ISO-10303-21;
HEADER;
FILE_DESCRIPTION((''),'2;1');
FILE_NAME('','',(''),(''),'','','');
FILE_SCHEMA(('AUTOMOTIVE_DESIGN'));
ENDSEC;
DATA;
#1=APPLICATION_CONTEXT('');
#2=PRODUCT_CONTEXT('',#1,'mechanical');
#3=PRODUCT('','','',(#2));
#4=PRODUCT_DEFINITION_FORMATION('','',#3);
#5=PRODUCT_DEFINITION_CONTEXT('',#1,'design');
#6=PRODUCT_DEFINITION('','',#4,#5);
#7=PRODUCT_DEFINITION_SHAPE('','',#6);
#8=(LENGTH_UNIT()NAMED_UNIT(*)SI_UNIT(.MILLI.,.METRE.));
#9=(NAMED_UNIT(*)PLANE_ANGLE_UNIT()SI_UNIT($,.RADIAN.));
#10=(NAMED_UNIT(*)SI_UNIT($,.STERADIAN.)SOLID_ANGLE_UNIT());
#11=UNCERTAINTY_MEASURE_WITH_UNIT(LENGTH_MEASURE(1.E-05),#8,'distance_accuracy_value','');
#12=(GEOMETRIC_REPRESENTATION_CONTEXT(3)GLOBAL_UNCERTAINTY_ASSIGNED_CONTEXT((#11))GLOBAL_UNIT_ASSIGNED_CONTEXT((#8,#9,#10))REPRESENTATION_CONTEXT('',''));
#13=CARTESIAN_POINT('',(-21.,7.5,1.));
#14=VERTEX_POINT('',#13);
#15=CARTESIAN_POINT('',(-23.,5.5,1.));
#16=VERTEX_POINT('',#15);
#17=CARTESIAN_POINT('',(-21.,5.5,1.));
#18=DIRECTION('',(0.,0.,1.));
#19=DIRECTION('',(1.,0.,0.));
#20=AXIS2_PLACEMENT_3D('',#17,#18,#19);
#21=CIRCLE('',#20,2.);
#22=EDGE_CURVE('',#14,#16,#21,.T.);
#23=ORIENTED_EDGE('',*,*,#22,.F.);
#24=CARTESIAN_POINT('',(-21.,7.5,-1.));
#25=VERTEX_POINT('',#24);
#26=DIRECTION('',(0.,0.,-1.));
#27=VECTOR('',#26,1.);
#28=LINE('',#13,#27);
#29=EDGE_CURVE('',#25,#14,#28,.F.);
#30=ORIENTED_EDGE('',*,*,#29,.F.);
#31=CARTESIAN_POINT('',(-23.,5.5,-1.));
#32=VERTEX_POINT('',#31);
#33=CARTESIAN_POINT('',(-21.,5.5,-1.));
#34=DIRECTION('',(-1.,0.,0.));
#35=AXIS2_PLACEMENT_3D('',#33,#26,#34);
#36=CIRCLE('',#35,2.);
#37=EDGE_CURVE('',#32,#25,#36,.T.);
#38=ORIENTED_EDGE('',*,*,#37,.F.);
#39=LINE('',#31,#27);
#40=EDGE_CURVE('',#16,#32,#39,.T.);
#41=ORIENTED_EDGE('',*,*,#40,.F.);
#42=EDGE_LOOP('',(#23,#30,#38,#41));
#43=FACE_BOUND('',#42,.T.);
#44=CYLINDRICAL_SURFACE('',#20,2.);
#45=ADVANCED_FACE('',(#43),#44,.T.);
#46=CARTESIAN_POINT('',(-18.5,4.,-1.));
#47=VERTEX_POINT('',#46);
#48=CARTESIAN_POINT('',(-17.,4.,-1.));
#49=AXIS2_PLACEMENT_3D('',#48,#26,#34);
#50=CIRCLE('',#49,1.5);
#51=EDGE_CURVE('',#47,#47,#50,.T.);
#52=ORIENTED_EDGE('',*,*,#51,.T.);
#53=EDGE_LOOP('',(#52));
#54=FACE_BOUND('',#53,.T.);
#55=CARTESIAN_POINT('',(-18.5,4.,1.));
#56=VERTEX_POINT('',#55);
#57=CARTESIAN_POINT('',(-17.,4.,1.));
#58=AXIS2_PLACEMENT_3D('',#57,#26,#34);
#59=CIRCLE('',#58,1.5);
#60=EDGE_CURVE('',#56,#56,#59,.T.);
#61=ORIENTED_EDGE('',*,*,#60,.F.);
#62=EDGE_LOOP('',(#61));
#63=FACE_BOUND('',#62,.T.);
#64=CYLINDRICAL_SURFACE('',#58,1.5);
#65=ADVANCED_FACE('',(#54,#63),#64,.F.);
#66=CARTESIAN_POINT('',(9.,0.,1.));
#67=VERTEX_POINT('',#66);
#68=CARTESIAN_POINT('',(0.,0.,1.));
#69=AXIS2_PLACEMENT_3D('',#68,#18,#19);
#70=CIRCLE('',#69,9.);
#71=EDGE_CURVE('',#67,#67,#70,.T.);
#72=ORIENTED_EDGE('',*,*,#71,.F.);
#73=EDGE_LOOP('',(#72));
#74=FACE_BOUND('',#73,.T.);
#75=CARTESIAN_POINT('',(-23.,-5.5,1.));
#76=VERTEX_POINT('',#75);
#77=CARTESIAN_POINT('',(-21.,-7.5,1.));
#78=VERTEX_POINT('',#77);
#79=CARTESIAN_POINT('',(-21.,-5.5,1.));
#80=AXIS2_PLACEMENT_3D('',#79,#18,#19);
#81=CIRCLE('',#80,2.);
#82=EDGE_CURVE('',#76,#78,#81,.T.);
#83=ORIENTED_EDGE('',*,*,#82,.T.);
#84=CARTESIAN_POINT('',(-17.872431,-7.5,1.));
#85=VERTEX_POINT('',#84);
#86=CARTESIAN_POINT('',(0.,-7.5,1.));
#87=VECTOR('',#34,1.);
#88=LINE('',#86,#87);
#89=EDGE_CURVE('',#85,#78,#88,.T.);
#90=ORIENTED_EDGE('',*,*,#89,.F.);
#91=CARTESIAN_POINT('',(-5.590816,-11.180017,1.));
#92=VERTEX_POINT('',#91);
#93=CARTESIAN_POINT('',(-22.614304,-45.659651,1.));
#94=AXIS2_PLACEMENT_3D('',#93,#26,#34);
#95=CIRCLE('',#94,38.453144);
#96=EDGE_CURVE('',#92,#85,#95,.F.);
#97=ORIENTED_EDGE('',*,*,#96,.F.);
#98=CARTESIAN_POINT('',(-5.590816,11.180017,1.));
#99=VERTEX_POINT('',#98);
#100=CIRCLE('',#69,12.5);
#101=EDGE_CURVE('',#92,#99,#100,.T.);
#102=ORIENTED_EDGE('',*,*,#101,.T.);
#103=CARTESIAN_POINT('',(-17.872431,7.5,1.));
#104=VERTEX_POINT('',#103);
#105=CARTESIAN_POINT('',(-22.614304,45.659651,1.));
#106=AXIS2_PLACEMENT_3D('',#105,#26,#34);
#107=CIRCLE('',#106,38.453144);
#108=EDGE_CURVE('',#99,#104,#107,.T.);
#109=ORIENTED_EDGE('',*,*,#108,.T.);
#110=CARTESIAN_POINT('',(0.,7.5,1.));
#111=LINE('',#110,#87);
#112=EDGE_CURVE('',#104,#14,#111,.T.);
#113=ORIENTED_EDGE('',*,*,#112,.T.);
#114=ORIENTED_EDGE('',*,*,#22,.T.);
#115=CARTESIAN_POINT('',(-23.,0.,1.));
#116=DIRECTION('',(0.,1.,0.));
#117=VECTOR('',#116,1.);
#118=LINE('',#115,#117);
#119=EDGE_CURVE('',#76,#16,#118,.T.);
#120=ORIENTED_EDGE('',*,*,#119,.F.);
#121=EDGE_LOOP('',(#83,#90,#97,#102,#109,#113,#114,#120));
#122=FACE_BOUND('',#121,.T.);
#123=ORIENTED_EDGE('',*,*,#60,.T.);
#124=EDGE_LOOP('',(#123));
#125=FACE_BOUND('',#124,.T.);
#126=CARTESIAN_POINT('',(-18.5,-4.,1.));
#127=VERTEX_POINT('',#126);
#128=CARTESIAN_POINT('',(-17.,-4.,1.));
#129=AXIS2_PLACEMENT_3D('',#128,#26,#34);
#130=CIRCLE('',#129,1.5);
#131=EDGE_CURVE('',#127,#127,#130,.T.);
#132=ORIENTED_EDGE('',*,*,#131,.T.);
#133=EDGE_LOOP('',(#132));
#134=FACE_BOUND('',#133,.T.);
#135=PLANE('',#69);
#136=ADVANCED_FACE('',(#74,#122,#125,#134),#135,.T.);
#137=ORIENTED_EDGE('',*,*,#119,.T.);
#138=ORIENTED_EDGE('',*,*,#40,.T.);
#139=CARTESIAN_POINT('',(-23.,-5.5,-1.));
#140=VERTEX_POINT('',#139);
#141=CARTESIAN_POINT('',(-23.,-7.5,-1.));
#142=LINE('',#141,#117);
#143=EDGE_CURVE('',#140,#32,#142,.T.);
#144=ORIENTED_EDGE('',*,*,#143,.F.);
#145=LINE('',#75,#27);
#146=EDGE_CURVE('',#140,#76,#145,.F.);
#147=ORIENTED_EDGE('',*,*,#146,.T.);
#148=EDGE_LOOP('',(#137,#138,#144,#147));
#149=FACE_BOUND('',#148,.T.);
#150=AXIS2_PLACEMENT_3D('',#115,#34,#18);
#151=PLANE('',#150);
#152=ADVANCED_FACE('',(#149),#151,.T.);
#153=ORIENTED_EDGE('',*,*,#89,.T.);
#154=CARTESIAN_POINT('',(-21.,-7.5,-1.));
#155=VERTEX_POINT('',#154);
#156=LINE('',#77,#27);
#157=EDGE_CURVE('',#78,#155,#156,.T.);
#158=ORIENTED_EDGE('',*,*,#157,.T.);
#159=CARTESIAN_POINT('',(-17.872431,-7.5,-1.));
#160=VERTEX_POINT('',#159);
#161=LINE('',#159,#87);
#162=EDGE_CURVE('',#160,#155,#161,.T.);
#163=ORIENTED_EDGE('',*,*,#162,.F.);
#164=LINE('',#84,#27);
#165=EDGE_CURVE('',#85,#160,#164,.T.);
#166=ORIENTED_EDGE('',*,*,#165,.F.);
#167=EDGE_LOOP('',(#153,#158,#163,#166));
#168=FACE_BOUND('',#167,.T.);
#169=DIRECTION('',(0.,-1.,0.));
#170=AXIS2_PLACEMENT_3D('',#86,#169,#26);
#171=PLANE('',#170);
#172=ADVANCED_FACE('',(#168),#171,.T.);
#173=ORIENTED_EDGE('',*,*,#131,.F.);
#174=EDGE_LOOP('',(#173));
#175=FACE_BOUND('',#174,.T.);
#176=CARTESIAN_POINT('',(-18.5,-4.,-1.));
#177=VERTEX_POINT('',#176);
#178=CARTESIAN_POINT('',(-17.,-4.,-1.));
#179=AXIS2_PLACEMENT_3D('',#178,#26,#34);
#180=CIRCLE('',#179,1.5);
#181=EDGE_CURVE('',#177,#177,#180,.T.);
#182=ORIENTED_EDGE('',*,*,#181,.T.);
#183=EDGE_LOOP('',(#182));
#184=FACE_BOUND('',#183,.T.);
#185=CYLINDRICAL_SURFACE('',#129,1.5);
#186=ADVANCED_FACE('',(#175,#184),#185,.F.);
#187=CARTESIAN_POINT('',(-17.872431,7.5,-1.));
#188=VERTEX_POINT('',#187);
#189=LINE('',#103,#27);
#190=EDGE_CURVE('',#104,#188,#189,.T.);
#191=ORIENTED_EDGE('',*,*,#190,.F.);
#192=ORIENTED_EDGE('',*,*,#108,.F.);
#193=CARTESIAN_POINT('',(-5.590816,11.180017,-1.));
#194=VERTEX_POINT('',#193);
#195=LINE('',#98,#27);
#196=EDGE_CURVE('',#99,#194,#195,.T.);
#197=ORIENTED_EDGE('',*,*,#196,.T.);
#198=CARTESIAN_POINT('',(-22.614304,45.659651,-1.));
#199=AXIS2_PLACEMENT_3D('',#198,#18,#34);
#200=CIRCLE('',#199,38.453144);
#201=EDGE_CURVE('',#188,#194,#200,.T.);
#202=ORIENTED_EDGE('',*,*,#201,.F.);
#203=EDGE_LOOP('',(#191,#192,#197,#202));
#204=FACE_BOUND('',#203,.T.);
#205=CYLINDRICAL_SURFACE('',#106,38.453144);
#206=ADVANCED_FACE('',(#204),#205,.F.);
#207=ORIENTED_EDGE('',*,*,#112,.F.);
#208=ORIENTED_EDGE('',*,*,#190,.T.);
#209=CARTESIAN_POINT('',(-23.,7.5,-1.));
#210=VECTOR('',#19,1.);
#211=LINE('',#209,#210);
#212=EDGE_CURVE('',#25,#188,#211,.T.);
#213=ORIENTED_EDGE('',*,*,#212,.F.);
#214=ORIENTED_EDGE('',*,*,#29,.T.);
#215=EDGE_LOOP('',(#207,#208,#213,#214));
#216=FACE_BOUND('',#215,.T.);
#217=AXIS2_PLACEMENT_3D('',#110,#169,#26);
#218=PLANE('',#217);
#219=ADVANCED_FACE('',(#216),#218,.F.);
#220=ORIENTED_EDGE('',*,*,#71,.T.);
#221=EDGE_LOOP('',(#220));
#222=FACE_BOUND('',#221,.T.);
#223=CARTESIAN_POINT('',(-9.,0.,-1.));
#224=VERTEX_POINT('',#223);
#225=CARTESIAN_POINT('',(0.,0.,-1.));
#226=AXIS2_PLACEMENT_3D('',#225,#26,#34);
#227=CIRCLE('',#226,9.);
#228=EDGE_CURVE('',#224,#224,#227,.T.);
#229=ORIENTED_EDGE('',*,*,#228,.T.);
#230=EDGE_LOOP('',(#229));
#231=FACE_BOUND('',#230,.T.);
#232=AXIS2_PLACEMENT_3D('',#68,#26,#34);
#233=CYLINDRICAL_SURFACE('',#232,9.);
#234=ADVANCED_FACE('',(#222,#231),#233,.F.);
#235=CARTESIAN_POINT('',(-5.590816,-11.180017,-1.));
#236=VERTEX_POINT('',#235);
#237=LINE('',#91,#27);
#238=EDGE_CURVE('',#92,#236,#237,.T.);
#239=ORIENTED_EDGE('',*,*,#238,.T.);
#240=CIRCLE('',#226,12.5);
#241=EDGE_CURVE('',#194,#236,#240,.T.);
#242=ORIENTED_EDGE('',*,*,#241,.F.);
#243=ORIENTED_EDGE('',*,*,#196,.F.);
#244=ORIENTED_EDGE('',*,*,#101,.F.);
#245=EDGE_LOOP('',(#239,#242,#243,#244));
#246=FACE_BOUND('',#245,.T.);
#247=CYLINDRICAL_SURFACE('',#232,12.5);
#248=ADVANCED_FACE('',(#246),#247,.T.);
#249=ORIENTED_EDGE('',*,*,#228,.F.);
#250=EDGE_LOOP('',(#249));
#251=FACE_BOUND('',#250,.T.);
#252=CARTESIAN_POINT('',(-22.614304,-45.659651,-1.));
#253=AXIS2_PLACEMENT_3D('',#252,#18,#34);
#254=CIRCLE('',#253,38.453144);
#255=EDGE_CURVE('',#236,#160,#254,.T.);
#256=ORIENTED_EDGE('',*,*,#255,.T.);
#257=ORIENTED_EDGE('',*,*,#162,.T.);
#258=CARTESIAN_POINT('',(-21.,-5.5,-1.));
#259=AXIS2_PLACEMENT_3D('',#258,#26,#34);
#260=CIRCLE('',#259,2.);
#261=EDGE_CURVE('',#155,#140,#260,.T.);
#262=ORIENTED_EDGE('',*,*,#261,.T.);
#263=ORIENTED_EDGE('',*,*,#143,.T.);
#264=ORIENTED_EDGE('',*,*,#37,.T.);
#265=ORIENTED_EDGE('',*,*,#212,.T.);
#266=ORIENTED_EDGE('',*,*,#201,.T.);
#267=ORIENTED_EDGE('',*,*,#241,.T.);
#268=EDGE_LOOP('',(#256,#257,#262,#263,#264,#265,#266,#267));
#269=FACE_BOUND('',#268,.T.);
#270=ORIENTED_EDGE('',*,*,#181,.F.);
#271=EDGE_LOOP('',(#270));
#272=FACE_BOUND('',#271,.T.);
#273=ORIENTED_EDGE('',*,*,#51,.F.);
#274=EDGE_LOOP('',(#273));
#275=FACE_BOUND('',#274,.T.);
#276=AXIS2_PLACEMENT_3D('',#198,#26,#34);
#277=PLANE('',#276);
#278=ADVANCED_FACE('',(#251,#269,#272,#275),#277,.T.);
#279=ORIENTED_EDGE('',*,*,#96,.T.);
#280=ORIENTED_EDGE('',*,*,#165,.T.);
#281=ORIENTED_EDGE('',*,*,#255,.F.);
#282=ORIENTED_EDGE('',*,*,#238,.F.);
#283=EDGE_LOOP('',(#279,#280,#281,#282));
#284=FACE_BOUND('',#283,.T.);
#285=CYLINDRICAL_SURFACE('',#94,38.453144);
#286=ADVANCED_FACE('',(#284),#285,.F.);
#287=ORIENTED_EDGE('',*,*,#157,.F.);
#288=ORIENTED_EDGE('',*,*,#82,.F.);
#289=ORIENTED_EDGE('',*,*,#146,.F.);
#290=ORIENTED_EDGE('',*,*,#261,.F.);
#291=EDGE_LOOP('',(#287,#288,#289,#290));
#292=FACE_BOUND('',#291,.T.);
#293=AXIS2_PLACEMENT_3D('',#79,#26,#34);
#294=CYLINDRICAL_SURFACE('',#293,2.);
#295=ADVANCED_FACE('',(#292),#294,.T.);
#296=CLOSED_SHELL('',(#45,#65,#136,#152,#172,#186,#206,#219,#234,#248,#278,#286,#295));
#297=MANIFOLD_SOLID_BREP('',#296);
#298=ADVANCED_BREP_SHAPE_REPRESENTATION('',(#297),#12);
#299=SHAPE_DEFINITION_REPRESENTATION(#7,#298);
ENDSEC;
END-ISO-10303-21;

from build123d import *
from build123d.topology import SkipClean

# Parameters (mm, degrees)
SKETCH_1_R      = 12.5
SKETCH_1_R_2    = 9
EXTRUDE_1_DEPTH = 1
SKETCH_2_R      = 1.5
EXTRUDE_2_DEPTH = 1
EXTRUDE_START   = 1
SKETCH_3_R      = 1.5
SKETCH_3_R_2    = 9
EXTRUDE_3_DEPTH = 1
FILLET_2_R      = 2


with BuildPart() as part:
    # 草图1 → 凸台-拉伸1 (new body)
    with BuildSketch(Plane.XY):
        Circle(SKETCH_1_R)
        Circle(SKETCH_1_R_2, mode=Mode.SUBTRACT)
    extrude(amount=EXTRUDE_1_DEPTH)

    # 草图2 → 凸台-拉伸2 (add)
    with BuildSketch(Plane(origin=(0, 0, 0), x_dir=(-1, 0, 0), z_dir=(0, 0, -1))):
        with BuildLine():
            Line((23, 7.5), (17.872431242, 7.5))
            ThreePointArc((17.872431242, 7.5), (11.57716844, 8.82453246), (5.590816153, 11.180016759))
            ThreePointArc((5.590816153, 11.180016759), (10.633325019, 6.571331603), (12.5, 0))
            ThreePointArc((12.5, 0), (10.633325019, -6.571331603), (5.590816153, -11.180016759))
            ThreePointArc((5.590816153, -11.180016759), (11.57716844, -8.82453246), (17.872431242, -7.5))
            Line((17.872431242, -7.5), (23, -7.5))
            Line((23, -7.5), (23, 7.5))
        make_face()
        with Locations((17, -4)):
            Circle(SKETCH_2_R, mode=Mode.SUBTRACT)
        with Locations((17, 4)):
            Circle(SKETCH_2_R, mode=Mode.SUBTRACT)
    extrude(amount=-EXTRUDE_2_DEPTH)

    # 草图3 → 凸台-拉伸3 (add)
    with SkipClean():  # the faces are left unmerged after this step: merging them gives an invalid solid
        with BuildSketch(Plane(origin=(0, 0, 0), x_dir=(-1, 0, 0), z_dir=(0, 0, -1)).offset(EXTRUDE_START)):
            with BuildLine():
                Line((23, -7.5), (23, 7.5))
                Line((23, 7.5), (17.872431242, 7.5))
                ThreePointArc((17.872431242, 7.5), (11.57716844, 8.82453246), (5.590816153, 11.180016759))
                ThreePointArc((5.590816153, 11.180016759), (-12.5, 0), (5.590816153, -11.180016759))
                ThreePointArc((5.590816153, -11.180016759), (11.57716844, -8.82453246), (17.872431242, -7.5))
                Line((17.872431242, -7.5), (23, -7.5))
            make_face()
            with Locations((17, -4)):
                Circle(SKETCH_3_R, mode=Mode.SUBTRACT)
            with Locations((17, 4)):
                Circle(SKETCH_3_R, mode=Mode.SUBTRACT)
            Circle(SKETCH_3_R_2, mode=Mode.SUBTRACT)
        extrude(amount=-EXTRUDE_3_DEPTH)

    # 圆角2
    fillet_2_edges = [part.edges().sort_by_distance(p)[0] for p in [
        (-23, 7.5, 0.5),
        (-23, -7.5, 0.5),
    ]]
    fillet(fillet_2_edges, radius=FILLET_2_R)


solid = part.part
